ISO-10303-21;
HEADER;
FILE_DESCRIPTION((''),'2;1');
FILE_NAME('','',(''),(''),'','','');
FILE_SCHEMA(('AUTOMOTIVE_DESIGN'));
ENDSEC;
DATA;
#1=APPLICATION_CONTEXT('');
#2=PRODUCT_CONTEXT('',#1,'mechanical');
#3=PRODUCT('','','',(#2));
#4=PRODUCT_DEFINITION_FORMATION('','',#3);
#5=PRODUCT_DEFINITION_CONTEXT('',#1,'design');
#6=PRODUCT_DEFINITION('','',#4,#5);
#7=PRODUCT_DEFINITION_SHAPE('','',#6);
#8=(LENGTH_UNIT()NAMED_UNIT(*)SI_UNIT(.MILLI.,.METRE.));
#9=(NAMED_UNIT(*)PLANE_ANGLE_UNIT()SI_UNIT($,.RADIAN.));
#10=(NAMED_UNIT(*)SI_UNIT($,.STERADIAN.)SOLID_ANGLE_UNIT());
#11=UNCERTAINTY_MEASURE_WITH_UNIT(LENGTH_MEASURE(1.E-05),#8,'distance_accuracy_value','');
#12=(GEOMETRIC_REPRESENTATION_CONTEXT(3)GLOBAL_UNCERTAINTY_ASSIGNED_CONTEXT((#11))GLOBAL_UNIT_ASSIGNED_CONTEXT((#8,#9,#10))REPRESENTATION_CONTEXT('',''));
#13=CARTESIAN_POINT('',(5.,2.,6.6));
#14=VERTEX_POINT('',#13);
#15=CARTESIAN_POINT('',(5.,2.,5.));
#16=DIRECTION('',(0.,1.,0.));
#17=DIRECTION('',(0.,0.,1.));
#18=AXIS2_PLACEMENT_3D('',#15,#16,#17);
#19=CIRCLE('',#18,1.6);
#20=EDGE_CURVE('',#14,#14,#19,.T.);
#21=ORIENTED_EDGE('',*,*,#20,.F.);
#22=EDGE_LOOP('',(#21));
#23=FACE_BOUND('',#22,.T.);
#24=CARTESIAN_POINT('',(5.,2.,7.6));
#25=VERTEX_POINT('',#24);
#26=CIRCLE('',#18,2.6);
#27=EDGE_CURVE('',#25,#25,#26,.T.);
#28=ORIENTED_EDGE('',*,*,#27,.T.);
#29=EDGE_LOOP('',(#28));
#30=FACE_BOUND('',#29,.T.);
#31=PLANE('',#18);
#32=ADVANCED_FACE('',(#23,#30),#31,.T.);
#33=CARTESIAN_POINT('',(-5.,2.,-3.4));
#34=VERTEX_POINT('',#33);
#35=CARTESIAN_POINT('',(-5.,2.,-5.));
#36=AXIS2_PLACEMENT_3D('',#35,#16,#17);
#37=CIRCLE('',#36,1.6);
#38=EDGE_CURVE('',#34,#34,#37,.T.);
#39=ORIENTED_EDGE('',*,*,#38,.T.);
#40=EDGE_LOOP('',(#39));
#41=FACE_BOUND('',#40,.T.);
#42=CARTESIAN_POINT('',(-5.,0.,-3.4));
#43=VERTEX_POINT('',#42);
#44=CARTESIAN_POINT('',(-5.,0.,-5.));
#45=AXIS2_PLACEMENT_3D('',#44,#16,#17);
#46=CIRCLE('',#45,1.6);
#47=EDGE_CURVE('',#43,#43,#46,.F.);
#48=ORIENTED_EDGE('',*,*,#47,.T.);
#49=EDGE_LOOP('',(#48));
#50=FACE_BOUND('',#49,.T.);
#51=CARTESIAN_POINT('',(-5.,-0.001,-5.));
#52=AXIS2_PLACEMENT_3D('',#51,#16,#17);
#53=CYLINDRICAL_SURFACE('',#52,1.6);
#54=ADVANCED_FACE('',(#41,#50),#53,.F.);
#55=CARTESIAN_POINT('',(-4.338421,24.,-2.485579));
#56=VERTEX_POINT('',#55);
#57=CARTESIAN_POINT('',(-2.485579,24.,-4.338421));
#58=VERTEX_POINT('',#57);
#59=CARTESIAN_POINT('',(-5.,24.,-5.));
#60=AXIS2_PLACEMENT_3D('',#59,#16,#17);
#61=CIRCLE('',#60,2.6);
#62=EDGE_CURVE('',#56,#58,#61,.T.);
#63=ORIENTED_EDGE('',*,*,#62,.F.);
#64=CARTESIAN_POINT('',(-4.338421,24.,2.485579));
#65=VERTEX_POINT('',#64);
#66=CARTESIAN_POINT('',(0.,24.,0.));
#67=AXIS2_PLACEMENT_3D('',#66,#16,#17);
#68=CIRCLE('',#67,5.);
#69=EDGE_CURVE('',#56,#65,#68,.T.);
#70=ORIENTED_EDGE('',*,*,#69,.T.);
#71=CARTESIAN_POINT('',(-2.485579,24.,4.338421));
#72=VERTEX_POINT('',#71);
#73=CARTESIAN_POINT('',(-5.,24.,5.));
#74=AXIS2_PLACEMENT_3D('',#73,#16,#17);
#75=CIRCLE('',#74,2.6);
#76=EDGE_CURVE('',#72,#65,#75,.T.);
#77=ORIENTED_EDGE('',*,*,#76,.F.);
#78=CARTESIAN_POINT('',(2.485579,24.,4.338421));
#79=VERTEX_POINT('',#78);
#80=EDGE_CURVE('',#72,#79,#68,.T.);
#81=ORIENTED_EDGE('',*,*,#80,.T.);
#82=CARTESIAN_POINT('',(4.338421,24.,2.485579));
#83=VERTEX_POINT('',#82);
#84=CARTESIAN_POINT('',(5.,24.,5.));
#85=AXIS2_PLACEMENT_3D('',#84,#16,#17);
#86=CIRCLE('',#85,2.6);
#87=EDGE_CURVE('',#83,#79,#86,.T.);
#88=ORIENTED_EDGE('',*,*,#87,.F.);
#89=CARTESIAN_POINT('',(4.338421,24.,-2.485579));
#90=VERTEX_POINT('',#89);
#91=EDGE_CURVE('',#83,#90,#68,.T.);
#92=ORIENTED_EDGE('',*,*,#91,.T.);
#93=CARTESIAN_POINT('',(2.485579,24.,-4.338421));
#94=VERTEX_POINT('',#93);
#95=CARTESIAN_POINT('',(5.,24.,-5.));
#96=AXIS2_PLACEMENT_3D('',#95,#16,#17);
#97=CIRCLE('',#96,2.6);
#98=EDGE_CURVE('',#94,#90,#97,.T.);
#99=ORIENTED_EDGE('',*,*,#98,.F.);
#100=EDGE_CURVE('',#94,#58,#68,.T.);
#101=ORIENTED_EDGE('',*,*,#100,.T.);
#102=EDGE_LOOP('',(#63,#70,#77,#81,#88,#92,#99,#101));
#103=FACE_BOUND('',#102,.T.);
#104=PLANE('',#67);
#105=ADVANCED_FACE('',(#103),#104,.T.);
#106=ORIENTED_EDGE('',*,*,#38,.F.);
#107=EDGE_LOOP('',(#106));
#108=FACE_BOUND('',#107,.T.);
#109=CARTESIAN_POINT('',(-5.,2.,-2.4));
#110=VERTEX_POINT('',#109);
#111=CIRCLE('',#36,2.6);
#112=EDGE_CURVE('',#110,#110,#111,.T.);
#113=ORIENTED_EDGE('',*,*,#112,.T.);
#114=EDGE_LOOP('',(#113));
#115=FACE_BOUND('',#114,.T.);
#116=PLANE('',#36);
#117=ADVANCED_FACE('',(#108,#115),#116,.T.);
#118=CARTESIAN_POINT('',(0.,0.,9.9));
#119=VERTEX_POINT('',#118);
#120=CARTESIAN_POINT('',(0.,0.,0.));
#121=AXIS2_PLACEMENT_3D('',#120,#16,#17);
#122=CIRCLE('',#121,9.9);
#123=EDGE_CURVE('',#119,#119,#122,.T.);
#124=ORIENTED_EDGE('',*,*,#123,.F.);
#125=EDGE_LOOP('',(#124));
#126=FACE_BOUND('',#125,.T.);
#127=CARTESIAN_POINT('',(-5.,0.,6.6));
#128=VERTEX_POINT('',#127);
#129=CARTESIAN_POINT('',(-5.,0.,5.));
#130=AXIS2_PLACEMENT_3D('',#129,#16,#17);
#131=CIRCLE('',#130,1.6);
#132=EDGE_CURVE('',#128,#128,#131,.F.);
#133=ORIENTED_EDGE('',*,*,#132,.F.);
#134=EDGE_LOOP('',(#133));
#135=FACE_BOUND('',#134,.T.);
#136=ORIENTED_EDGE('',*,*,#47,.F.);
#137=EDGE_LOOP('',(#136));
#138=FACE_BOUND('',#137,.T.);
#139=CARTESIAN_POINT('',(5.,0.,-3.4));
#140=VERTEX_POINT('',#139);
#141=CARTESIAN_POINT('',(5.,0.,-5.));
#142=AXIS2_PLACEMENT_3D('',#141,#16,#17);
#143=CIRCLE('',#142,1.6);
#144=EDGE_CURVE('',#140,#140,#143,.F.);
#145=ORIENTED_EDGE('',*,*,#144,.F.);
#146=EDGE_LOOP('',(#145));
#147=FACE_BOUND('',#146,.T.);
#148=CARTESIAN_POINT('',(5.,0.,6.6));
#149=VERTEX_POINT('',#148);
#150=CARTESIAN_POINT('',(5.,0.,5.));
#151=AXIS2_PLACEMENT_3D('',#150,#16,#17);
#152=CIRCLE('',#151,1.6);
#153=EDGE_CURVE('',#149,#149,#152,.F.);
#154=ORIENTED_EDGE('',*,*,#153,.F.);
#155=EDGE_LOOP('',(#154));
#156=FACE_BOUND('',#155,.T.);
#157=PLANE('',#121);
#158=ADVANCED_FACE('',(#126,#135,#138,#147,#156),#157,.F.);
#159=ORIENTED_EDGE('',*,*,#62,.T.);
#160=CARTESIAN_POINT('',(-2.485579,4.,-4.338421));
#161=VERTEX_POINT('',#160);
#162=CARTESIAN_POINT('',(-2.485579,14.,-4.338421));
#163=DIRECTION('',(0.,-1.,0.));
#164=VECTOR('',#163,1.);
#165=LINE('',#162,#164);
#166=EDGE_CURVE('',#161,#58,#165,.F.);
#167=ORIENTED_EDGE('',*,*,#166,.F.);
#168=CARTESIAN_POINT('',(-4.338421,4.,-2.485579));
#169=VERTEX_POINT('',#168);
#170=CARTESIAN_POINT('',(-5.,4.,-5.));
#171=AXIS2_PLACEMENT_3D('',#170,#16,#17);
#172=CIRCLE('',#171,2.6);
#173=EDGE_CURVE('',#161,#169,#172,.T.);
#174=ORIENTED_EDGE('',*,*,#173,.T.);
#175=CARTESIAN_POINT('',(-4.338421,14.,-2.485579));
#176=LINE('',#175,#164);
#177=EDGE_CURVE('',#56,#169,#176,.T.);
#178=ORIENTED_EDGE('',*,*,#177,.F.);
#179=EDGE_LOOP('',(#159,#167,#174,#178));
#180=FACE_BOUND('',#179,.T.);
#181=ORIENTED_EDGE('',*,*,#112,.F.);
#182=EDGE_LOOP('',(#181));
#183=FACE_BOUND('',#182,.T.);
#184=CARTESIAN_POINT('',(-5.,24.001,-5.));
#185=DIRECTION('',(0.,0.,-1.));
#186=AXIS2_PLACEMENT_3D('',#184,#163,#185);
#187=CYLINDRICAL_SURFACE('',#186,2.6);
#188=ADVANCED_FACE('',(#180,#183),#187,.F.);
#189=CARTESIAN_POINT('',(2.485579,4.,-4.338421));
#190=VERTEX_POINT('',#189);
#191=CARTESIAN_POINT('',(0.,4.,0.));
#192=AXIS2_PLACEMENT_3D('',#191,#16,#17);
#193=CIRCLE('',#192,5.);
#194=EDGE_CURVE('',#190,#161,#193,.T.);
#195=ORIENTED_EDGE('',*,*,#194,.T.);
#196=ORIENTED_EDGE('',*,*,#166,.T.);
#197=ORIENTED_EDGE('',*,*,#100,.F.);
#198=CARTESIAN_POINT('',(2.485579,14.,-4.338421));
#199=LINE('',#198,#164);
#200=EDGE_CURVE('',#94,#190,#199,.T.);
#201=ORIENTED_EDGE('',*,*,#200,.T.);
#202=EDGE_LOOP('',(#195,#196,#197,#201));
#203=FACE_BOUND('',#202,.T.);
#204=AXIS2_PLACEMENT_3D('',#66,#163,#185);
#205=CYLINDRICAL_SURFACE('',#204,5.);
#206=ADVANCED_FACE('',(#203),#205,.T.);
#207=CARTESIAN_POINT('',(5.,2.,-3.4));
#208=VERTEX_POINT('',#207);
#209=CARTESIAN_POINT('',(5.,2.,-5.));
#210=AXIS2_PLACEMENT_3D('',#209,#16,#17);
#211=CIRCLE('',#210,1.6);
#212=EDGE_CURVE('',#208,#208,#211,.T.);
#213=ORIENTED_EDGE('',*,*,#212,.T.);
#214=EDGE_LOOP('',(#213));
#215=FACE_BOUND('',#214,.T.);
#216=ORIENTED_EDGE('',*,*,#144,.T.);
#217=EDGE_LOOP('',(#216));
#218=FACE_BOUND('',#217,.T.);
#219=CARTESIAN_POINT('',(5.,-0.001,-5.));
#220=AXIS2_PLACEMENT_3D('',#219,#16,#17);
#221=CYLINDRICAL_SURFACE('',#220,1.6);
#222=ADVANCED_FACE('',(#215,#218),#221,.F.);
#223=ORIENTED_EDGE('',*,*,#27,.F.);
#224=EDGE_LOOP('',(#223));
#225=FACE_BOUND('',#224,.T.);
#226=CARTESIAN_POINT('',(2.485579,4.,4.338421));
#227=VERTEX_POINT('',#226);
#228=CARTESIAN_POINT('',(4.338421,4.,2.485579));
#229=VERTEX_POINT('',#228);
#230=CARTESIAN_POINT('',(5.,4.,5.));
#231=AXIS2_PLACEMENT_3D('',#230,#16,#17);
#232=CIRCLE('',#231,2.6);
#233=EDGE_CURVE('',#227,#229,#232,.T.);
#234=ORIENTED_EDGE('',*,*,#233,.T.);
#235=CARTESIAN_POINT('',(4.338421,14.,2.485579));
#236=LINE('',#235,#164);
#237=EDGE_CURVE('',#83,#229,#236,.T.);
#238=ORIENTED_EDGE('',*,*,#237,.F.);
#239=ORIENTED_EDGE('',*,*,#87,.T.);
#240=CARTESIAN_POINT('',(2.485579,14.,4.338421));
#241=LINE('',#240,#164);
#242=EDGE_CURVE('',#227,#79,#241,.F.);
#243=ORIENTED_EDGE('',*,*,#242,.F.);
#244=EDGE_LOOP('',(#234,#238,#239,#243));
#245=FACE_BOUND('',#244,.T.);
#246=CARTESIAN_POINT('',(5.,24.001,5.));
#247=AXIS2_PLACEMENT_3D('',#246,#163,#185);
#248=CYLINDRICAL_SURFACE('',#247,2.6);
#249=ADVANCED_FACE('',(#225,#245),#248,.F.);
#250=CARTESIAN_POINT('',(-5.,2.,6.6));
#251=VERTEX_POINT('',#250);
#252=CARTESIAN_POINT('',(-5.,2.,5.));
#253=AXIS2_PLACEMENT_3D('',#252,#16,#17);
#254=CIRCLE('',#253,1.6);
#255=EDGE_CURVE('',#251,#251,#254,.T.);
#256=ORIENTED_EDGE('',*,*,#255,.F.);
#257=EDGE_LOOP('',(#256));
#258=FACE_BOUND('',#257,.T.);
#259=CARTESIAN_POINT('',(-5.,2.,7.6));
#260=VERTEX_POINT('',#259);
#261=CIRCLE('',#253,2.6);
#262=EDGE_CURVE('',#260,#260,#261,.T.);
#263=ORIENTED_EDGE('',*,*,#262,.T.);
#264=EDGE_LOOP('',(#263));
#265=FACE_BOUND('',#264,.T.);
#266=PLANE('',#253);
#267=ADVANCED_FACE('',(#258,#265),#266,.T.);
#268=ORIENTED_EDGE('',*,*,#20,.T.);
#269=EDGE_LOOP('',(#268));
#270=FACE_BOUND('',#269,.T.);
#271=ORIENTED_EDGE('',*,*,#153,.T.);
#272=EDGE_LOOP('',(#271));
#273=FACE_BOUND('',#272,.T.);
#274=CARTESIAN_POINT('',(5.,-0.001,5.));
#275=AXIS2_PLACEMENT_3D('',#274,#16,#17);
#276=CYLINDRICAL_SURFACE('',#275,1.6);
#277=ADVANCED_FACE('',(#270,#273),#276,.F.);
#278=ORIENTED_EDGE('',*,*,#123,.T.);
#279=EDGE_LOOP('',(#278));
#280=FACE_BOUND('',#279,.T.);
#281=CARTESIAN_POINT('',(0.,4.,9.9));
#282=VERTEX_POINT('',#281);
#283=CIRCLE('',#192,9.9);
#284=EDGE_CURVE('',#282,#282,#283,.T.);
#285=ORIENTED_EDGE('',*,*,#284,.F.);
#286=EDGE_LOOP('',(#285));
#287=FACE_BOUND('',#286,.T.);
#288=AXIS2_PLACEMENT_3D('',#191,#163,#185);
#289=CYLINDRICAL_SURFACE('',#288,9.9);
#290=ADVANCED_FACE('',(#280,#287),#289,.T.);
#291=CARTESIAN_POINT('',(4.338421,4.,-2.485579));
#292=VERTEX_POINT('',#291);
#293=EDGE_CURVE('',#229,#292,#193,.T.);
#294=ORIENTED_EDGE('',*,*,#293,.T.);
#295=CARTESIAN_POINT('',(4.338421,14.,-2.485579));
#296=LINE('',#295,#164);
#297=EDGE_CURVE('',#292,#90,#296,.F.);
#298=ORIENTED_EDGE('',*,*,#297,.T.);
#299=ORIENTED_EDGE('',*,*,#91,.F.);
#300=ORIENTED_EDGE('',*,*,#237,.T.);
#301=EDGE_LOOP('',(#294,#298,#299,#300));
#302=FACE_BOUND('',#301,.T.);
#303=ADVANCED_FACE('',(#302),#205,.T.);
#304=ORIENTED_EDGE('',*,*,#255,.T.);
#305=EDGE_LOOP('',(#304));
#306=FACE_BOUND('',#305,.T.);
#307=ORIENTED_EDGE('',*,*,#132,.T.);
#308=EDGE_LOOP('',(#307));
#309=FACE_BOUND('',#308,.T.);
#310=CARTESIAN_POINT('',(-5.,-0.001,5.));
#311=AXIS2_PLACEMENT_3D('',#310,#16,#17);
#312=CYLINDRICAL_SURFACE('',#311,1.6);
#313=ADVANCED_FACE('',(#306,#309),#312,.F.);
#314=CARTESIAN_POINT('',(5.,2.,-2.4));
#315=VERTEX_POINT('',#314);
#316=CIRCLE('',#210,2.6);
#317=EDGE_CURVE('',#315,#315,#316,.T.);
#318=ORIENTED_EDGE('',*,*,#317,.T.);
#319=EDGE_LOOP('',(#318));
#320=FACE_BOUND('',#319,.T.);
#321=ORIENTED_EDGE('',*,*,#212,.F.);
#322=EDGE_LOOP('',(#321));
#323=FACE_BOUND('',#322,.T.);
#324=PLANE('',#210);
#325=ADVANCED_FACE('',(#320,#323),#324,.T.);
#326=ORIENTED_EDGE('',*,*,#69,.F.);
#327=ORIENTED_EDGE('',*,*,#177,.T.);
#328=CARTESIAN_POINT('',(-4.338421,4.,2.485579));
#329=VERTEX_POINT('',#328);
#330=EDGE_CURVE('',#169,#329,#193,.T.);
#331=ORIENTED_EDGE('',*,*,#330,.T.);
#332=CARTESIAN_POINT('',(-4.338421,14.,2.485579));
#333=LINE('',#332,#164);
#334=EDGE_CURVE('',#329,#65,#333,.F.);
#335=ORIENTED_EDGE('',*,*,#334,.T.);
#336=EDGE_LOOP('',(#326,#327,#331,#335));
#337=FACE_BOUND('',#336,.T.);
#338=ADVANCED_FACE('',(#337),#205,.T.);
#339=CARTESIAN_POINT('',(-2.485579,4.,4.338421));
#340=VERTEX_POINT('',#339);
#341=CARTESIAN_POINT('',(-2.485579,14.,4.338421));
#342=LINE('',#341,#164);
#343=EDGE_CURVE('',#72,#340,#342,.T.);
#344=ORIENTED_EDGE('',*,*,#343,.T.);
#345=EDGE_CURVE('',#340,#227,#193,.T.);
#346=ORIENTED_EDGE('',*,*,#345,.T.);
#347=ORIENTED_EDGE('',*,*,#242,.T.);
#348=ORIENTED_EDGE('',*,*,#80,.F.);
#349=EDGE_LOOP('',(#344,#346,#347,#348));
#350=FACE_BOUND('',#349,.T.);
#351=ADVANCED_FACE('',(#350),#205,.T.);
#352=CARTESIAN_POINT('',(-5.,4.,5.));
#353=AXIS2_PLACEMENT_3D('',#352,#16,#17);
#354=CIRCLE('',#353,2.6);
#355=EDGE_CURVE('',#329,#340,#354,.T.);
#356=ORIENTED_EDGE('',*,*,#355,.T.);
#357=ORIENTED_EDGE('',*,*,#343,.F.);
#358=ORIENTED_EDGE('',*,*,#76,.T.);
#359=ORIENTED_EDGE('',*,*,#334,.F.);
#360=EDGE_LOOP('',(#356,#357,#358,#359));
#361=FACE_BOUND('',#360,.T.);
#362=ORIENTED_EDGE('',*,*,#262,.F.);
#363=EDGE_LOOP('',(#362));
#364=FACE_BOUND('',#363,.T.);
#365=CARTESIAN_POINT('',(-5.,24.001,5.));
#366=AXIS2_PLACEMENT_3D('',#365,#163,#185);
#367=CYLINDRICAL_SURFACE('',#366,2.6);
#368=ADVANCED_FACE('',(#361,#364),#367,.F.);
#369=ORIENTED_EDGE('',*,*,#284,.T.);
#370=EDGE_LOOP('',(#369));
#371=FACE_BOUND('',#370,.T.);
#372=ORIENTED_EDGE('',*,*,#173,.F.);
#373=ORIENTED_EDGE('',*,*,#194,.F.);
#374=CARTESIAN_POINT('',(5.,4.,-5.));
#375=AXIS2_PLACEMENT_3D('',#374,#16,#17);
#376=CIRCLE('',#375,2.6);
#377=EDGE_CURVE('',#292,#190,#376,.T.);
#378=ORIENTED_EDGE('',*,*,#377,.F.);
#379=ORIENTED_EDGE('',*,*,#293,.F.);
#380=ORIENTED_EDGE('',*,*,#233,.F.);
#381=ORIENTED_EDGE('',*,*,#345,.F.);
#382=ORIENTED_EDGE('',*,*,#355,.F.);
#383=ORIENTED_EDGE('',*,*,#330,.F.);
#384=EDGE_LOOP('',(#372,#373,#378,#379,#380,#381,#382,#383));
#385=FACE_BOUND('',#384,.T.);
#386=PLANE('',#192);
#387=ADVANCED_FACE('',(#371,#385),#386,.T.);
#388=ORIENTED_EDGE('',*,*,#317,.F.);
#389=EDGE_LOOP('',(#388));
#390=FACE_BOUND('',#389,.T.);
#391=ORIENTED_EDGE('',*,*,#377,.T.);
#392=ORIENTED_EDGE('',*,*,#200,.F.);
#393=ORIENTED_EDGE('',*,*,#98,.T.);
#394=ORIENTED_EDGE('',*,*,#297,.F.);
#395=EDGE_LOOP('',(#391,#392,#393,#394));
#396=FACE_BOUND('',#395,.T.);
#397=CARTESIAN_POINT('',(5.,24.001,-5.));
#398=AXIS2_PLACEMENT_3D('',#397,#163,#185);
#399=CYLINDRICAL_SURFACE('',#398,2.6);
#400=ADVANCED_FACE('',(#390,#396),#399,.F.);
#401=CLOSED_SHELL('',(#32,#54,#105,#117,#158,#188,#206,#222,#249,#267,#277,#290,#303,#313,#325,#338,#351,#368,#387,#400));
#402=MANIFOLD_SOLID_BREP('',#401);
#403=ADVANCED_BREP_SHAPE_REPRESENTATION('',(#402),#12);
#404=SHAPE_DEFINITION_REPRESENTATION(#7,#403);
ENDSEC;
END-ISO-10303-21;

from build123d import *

# Parameters (mm, degrees)
SKETCH1_R           = 9.9
BOSS_EXTRUDE1_DEPTH = 4
SKETCH2_R           = 5
BOSS_EXTRUDE2_DEPTH = 20
CUT_EXTRUDE1_REACH  = 26.414
SKETCH3_R           = 1.6
CUT_EXTRUDE2_REACH  = 26.414
SKETCH3_3_R         = 2.6
SKETCH3_3_R_2       = 1.6
SKETCH3_4_R         = 2.6
SKETCH3_4_R_2       = 1.6
CUT_EXTRUDE3_DEPTH  = 2


with BuildPart() as part:
    # Sketch1 → Boss-Extrude1 (new body)
    with BuildSketch(Plane(origin=(0, 0, 0), x_dir=(1, 0, 0), z_dir=(0, 1, 0))):
        Circle(SKETCH1_R)
    extrude(amount=BOSS_EXTRUDE1_DEPTH)

    # Sketch2 → Boss-Extrude2 (add)
    with BuildSketch(Plane(origin=(0, 4, 0), x_dir=(1, 0, 0), z_dir=(0, 1, 0))):
        Circle(SKETCH2_R)
    extrude(amount=BOSS_EXTRUDE2_DEPTH)

    # Sketch3 → Cut-Extrude1 (cut, up to next)
    with BuildSketch(Plane(origin=(0, 4, 0), x_dir=(1, 0, 0), z_dir=(0, 1, 0)), mode=Mode.PRIVATE) as cut_extrude1_sk1:
        with Locations((-5, 5)):
            Circle(SKETCH3_R)
    cut_extrude1_tool1 = extrude(cut_extrude1_sk1.sketch, amount=-CUT_EXTRUDE1_REACH, mode=Mode.PRIVATE) & part.part
    # Sketch3 → Cut-Extrude1 (cut, up to next)
    with BuildSketch(Plane(origin=(0, 4, 0), x_dir=(1, 0, 0), z_dir=(0, 1, 0)), mode=Mode.PRIVATE) as cut_extrude1_sk2:
        with Locations((5, 5)):
            Circle(SKETCH3_R)
    cut_extrude1_tool2 = extrude(cut_extrude1_sk2.sketch, amount=-CUT_EXTRUDE1_REACH, mode=Mode.PRIVATE) & part.part
    # Sketch3 → Cut-Extrude1 (cut, up to next)
    with BuildSketch(Plane(origin=(0, 4, 0), x_dir=(1, 0, 0), z_dir=(0, 1, 0)), mode=Mode.PRIVATE) as cut_extrude1_sk3:
        with Locations((5, -5)):
            Circle(SKETCH3_R)
    cut_extrude1_tool3 = extrude(cut_extrude1_sk3.sketch, amount=-CUT_EXTRUDE1_REACH, mode=Mode.PRIVATE) & part.part
    # Sketch3 → Cut-Extrude1 (cut, up to next)
    with BuildSketch(Plane(origin=(0, 4, 0), x_dir=(1, 0, 0), z_dir=(0, 1, 0)), mode=Mode.PRIVATE) as cut_extrude1_sk4:
        with Locations((-5, -5)):
            Circle(SKETCH3_R)
    cut_extrude1_tool4 = extrude(cut_extrude1_sk4.sketch, amount=-CUT_EXTRUDE1_REACH, mode=Mode.PRIVATE) & part.part
    add(cut_extrude1_tool1.solids().sort_by_distance((-5, 4, -5))[0], mode=Mode.SUBTRACT)
    add(cut_extrude1_tool2.solids().sort_by_distance((5, 4, -5))[0], mode=Mode.SUBTRACT)
    add(cut_extrude1_tool3.solids().sort_by_distance((5, 4, 5))[0], mode=Mode.SUBTRACT)
    add(cut_extrude1_tool4.solids().sort_by_distance((-5, 4, 5))[0], mode=Mode.SUBTRACT)

    # Sketch3<3> → Cut-Extrude2 (cut, up to next)
    with BuildSketch(Plane(origin=(0, 4, 0), x_dir=(1, 0, 0), z_dir=(0, 1, 0)), mode=Mode.PRIVATE) as cut_extrude2_sk1:
        with Locations((5, 5)):
            Circle(SKETCH3_3_R)
        with Locations((5, 5)):
            Circle(SKETCH3_3_R_2, mode=Mode.SUBTRACT)
    cut_extrude2_tool1 = extrude(cut_extrude2_sk1.sketch, amount=CUT_EXTRUDE2_REACH, mode=Mode.PRIVATE) & part.part
    # Sketch3<3> → Cut-Extrude2 (cut, up to next)
    with BuildSketch(Plane(origin=(0, 4, 0), x_dir=(1, 0, 0), z_dir=(0, 1, 0)), mode=Mode.PRIVATE) as cut_extrude2_sk2:
        with Locations((-5, 5)):
            Circle(SKETCH3_3_R)
        with Locations((-5, 5)):
            Circle(SKETCH3_3_R_2, mode=Mode.SUBTRACT)
    cut_extrude2_tool2 = extrude(cut_extrude2_sk2.sketch, amount=CUT_EXTRUDE2_REACH, mode=Mode.PRIVATE) & part.part
    # Sketch3<3> → Cut-Extrude2 (cut, up to next)
    with BuildSketch(Plane(origin=(0, 4, 0), x_dir=(1, 0, 0), z_dir=(0, 1, 0)), mode=Mode.PRIVATE) as cut_extrude2_sk3:
        with Locations((-5, -5)):
            Circle(SKETCH3_3_R)
        with Locations((-5, -5)):
            Circle(SKETCH3_3_R_2, mode=Mode.SUBTRACT)
    cut_extrude2_tool3 = extrude(cut_extrude2_sk3.sketch, amount=CUT_EXTRUDE2_REACH, mode=Mode.PRIVATE) & part.part
    # Sketch3<3> → Cut-Extrude2 (cut, up to next)
    with BuildSketch(Plane(origin=(0, 4, 0), x_dir=(1, 0, 0), z_dir=(0, 1, 0)), mode=Mode.PRIVATE) as cut_extrude2_sk4:
        with Locations((5, -5)):
            Circle(SKETCH3_3_R)
        with Locations((5, -5)):
            Circle(SKETCH3_3_R_2, mode=Mode.SUBTRACT)
    cut_extrude2_tool4 = extrude(cut_extrude2_sk4.sketch, amount=CUT_EXTRUDE2_REACH, mode=Mode.PRIVATE) & part.part
    add(cut_extrude2_tool1.solids().sort_by_distance((2.473539, 4, -5))[0], mode=Mode.SUBTRACT)
    add(cut_extrude2_tool2.solids().sort_by_distance((-7.526461, 4, -5))[0], mode=Mode.SUBTRACT)
    add(cut_extrude2_tool3.solids().sort_by_distance((-7.526461, 4, 5))[0], mode=Mode.SUBTRACT)
    add(cut_extrude2_tool4.solids().sort_by_distance((2.473539, 4, 5))[0], mode=Mode.SUBTRACT)

    # Sketch3<4> → Cut-Extrude3 (cut)
    # profile 1 of 4: a face of its own
    with BuildSketch(Plane(origin=(0, 4, 0), x_dir=(1, 0, 0), z_dir=(0, 1, 0))):
        with Locations((5, 5)):
            Circle(SKETCH3_4_R)
        with Locations((5, 5)):
            Circle(SKETCH3_4_R_2, mode=Mode.SUBTRACT)
    # profile 2 of 4: a face of its own
    with BuildSketch(Plane(origin=(0, 4, 0), x_dir=(1, 0, 0), z_dir=(0, 1, 0))):
        with Locations((-5, 5)):
            Circle(SKETCH3_4_R)
        with Locations((-5, 5)):
            Circle(SKETCH3_4_R_2, mode=Mode.SUBTRACT)
    # profile 3 of 4: a face of its own
    with BuildSketch(Plane(origin=(0, 4, 0), x_dir=(1, 0, 0), z_dir=(0, 1, 0))):
        with Locations((-5, -5)):
            Circle(SKETCH3_4_R)
        with Locations((-5, -5)):
            Circle(SKETCH3_4_R_2, mode=Mode.SUBTRACT)
    # profile 4 of 4: a face of its own
    with BuildSketch(Plane(origin=(0, 4, 0), x_dir=(1, 0, 0), z_dir=(0, 1, 0))):
        with Locations((5, -5)):
            Circle(SKETCH3_4_R)
        with Locations((5, -5)):
            Circle(SKETCH3_4_R_2, mode=Mode.SUBTRACT)
    extrude(amount=-CUT_EXTRUDE3_DEPTH, mode=Mode.SUBTRACT)


solid = part.part
